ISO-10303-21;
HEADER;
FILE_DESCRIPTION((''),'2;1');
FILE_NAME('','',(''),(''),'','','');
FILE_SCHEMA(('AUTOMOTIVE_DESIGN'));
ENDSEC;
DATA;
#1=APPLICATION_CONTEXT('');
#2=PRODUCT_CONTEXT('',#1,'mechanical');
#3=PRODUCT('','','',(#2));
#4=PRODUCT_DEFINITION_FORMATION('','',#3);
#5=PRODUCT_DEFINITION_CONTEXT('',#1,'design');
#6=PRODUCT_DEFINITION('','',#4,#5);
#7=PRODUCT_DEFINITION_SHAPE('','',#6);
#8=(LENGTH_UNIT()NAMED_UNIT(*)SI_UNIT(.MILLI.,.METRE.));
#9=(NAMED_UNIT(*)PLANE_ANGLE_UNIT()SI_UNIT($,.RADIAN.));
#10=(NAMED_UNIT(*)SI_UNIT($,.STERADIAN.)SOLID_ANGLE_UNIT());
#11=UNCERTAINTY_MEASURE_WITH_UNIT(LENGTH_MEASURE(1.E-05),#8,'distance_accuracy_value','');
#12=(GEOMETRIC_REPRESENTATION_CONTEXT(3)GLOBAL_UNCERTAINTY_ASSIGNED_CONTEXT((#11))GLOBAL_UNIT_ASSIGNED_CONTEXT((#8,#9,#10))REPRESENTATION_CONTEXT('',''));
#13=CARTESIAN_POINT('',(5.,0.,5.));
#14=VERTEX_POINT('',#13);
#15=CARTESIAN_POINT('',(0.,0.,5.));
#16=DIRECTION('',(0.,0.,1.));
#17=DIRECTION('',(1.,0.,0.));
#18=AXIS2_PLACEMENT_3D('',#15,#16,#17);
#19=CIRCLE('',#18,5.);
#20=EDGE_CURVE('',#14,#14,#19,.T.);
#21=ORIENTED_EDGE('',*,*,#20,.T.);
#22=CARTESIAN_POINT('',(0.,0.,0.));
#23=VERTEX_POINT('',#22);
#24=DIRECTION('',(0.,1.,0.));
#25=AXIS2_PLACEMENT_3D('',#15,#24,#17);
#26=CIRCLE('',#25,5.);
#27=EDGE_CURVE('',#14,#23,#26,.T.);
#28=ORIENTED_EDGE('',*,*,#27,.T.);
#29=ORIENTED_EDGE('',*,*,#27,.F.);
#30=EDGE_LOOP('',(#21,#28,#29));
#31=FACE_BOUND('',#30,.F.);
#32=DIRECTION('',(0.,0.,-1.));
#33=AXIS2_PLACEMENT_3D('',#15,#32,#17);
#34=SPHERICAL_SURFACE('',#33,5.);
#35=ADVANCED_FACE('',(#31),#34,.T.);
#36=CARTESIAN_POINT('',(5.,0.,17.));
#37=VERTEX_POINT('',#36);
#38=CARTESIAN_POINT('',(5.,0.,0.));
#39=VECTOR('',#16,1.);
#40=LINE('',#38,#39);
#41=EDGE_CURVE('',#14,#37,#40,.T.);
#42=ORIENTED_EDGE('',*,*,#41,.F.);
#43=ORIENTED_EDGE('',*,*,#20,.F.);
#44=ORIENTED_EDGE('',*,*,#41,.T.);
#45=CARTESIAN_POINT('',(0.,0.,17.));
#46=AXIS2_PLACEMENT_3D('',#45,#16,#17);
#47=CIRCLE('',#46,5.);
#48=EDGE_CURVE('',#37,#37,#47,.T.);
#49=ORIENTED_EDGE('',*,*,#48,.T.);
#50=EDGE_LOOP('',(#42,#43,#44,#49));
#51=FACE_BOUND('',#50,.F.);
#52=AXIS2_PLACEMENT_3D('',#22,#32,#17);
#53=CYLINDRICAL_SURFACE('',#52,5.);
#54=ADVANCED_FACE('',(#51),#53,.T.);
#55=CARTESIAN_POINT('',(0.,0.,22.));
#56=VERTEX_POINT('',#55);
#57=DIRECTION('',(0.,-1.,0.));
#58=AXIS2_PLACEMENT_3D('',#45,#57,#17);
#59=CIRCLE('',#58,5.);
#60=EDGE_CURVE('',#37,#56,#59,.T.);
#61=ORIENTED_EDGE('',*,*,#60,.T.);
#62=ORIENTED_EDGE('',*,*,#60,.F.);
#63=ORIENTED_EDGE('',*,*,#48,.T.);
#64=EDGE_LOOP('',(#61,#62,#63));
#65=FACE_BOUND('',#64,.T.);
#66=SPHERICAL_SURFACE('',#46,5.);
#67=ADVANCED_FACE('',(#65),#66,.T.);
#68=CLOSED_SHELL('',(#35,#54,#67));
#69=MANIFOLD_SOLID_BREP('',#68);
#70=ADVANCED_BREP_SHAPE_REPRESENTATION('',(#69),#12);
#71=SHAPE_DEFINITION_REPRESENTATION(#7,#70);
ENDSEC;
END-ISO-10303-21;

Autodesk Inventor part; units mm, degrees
ref_plane "YZ Plane" through (0, 0, 0) normal (1, 0, 0) x (0, 1, 0)
ref_plane "XZ Plane" through (0, 0, 0) normal (0, 1, 0) x (-1, 0, 0)
ref_plane "XY Plane" through (0, 0, 0) normal (0, 0, 1) x (1, 0, 0)
sketch "Skizze1" plane through (0, 0, 0) normal (0, 0, 1) x (1, 0, 0)
  circle A0 centre (0, 0) radius 5
  dimension "d0" = 10
extrude "Extrusion1" add sketch "Skizze1" along normal blind 22
fillet "Rundung1" radius 5 2 edges at (-5, 0, 22) (-5, 0, 0)
properties part number "00_LED_lamp"
